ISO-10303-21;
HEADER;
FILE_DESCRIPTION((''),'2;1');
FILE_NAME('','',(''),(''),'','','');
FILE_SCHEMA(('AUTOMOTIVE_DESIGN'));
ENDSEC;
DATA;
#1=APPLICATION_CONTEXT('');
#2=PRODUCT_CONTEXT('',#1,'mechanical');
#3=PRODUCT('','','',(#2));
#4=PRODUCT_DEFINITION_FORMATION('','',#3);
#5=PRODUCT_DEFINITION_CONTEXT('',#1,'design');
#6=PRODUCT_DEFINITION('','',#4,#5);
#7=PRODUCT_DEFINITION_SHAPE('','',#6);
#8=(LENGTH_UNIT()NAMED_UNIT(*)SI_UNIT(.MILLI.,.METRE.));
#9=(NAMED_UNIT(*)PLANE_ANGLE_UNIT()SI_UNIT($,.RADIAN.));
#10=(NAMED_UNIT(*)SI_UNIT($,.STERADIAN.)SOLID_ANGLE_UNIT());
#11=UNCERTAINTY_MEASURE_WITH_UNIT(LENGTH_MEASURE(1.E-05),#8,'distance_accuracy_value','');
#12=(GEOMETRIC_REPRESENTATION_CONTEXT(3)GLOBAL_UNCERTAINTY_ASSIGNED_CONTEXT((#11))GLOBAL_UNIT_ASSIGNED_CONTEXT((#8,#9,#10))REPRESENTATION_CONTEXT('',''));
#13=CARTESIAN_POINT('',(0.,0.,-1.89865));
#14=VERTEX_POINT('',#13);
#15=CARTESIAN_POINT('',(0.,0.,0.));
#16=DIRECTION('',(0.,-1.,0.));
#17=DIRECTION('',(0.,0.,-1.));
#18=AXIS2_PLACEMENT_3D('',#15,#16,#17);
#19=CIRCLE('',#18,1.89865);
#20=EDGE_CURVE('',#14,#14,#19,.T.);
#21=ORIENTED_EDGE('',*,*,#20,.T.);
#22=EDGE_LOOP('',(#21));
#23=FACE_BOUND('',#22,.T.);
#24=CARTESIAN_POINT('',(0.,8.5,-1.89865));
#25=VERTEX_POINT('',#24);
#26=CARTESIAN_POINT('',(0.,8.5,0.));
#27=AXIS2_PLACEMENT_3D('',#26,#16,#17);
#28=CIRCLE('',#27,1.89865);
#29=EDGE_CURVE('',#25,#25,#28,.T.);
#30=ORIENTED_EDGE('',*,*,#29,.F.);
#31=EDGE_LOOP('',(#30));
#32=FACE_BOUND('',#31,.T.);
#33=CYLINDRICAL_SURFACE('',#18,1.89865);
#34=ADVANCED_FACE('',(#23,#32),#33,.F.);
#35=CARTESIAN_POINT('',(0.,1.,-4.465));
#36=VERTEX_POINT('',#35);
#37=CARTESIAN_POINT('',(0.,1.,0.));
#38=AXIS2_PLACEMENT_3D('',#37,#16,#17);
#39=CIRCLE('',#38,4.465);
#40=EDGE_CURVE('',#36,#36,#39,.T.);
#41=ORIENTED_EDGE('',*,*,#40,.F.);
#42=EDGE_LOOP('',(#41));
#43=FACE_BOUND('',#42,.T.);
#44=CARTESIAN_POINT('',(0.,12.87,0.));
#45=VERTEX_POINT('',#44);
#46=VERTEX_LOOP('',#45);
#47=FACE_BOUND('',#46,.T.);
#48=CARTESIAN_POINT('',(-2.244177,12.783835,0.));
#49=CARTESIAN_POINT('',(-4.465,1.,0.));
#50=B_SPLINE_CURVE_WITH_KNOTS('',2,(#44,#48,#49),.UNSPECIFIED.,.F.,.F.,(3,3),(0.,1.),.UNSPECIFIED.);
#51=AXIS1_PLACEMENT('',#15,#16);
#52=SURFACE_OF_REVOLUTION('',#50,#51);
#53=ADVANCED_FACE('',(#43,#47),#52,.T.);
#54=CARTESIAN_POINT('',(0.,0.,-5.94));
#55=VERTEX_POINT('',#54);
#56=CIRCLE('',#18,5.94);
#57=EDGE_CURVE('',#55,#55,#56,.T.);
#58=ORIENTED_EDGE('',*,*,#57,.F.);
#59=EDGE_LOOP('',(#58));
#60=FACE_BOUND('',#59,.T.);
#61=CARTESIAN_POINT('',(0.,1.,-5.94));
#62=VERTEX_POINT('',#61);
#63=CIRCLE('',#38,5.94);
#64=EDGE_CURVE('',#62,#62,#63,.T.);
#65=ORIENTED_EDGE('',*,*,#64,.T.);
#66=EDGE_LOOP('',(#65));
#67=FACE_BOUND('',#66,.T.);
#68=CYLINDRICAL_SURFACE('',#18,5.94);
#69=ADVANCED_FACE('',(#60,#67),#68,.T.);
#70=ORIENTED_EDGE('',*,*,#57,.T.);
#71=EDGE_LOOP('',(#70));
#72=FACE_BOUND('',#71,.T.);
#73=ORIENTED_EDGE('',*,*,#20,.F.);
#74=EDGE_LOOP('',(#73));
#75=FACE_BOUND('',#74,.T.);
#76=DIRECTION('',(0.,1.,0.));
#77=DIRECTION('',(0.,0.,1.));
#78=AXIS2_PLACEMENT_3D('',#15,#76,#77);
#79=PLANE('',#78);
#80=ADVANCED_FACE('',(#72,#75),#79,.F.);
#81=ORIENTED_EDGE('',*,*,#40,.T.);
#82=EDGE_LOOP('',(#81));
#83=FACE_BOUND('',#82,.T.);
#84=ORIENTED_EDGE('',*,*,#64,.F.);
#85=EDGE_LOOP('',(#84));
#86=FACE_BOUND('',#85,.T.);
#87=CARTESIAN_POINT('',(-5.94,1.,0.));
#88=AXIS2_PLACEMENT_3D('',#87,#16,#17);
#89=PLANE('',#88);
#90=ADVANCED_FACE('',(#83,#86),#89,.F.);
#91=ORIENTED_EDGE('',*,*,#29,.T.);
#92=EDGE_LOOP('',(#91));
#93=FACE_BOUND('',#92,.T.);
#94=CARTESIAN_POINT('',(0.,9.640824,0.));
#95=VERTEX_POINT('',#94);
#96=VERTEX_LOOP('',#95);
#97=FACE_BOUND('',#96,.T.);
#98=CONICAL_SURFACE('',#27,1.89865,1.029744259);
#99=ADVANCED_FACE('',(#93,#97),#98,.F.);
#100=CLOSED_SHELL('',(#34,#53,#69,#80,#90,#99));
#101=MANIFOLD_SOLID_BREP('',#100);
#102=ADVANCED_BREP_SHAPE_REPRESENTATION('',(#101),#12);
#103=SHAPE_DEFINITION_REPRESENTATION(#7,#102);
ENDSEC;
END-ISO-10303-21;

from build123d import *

# Parameters (mm, degrees)
F_10_24_TAPPED_HOLE1_D     = 3.7973
F_10_24_TAPPED_HOLE1_DEPTH = 8.5
F_10_24_TAPPED_HOLE1_TIP   = 1.140824014


with BuildPart() as part:
    # Sketch1 → Revolve1 (revolve)
    with BuildSketch(Plane.XY, mode=Mode.PRIVATE) as revolve1_sk:
        with BuildLine():
            Line((0, 0), (0, 12.87))
            add(Edge.make_bspline(
                [(0, 12.87), (-2.244176977, 12.783834699), (-4.465, 1)],
                knots=[0, 0, 0, 1, 1, 1], degree=2))
            Line((-4.465, 1), (-5.94, 1))
            Line((-5.94, 1), (-5.94, 0))
            Line((-5.94, 0), (0, 0))
        make_face()
    revolve(revolve1_sk.sketch.rotate(Axis((0, 0, 0), (0, 1, 0)), 270), axis=Axis((0, 0, 0), (0, 1, 0)))

    # #10-24 Tapped Hole1
    with Locations(Plane(origin=(0, 0, 0), x_dir=(-1, 0, 0), z_dir=(0, -1, 0))):
        with Locations((0, 0)):
            Hole(F_10_24_TAPPED_HOLE1_D / 2, depth=F_10_24_TAPPED_HOLE1_DEPTH)
            with Locations((0, 0, -(F_10_24_TAPPED_HOLE1_DEPTH + F_10_24_TAPPED_HOLE1_TIP / 2))):  # 118° drill point
                Cone(0, F_10_24_TAPPED_HOLE1_D / 2, F_10_24_TAPPED_HOLE1_TIP, mode=Mode.SUBTRACT)


solid = part.part
